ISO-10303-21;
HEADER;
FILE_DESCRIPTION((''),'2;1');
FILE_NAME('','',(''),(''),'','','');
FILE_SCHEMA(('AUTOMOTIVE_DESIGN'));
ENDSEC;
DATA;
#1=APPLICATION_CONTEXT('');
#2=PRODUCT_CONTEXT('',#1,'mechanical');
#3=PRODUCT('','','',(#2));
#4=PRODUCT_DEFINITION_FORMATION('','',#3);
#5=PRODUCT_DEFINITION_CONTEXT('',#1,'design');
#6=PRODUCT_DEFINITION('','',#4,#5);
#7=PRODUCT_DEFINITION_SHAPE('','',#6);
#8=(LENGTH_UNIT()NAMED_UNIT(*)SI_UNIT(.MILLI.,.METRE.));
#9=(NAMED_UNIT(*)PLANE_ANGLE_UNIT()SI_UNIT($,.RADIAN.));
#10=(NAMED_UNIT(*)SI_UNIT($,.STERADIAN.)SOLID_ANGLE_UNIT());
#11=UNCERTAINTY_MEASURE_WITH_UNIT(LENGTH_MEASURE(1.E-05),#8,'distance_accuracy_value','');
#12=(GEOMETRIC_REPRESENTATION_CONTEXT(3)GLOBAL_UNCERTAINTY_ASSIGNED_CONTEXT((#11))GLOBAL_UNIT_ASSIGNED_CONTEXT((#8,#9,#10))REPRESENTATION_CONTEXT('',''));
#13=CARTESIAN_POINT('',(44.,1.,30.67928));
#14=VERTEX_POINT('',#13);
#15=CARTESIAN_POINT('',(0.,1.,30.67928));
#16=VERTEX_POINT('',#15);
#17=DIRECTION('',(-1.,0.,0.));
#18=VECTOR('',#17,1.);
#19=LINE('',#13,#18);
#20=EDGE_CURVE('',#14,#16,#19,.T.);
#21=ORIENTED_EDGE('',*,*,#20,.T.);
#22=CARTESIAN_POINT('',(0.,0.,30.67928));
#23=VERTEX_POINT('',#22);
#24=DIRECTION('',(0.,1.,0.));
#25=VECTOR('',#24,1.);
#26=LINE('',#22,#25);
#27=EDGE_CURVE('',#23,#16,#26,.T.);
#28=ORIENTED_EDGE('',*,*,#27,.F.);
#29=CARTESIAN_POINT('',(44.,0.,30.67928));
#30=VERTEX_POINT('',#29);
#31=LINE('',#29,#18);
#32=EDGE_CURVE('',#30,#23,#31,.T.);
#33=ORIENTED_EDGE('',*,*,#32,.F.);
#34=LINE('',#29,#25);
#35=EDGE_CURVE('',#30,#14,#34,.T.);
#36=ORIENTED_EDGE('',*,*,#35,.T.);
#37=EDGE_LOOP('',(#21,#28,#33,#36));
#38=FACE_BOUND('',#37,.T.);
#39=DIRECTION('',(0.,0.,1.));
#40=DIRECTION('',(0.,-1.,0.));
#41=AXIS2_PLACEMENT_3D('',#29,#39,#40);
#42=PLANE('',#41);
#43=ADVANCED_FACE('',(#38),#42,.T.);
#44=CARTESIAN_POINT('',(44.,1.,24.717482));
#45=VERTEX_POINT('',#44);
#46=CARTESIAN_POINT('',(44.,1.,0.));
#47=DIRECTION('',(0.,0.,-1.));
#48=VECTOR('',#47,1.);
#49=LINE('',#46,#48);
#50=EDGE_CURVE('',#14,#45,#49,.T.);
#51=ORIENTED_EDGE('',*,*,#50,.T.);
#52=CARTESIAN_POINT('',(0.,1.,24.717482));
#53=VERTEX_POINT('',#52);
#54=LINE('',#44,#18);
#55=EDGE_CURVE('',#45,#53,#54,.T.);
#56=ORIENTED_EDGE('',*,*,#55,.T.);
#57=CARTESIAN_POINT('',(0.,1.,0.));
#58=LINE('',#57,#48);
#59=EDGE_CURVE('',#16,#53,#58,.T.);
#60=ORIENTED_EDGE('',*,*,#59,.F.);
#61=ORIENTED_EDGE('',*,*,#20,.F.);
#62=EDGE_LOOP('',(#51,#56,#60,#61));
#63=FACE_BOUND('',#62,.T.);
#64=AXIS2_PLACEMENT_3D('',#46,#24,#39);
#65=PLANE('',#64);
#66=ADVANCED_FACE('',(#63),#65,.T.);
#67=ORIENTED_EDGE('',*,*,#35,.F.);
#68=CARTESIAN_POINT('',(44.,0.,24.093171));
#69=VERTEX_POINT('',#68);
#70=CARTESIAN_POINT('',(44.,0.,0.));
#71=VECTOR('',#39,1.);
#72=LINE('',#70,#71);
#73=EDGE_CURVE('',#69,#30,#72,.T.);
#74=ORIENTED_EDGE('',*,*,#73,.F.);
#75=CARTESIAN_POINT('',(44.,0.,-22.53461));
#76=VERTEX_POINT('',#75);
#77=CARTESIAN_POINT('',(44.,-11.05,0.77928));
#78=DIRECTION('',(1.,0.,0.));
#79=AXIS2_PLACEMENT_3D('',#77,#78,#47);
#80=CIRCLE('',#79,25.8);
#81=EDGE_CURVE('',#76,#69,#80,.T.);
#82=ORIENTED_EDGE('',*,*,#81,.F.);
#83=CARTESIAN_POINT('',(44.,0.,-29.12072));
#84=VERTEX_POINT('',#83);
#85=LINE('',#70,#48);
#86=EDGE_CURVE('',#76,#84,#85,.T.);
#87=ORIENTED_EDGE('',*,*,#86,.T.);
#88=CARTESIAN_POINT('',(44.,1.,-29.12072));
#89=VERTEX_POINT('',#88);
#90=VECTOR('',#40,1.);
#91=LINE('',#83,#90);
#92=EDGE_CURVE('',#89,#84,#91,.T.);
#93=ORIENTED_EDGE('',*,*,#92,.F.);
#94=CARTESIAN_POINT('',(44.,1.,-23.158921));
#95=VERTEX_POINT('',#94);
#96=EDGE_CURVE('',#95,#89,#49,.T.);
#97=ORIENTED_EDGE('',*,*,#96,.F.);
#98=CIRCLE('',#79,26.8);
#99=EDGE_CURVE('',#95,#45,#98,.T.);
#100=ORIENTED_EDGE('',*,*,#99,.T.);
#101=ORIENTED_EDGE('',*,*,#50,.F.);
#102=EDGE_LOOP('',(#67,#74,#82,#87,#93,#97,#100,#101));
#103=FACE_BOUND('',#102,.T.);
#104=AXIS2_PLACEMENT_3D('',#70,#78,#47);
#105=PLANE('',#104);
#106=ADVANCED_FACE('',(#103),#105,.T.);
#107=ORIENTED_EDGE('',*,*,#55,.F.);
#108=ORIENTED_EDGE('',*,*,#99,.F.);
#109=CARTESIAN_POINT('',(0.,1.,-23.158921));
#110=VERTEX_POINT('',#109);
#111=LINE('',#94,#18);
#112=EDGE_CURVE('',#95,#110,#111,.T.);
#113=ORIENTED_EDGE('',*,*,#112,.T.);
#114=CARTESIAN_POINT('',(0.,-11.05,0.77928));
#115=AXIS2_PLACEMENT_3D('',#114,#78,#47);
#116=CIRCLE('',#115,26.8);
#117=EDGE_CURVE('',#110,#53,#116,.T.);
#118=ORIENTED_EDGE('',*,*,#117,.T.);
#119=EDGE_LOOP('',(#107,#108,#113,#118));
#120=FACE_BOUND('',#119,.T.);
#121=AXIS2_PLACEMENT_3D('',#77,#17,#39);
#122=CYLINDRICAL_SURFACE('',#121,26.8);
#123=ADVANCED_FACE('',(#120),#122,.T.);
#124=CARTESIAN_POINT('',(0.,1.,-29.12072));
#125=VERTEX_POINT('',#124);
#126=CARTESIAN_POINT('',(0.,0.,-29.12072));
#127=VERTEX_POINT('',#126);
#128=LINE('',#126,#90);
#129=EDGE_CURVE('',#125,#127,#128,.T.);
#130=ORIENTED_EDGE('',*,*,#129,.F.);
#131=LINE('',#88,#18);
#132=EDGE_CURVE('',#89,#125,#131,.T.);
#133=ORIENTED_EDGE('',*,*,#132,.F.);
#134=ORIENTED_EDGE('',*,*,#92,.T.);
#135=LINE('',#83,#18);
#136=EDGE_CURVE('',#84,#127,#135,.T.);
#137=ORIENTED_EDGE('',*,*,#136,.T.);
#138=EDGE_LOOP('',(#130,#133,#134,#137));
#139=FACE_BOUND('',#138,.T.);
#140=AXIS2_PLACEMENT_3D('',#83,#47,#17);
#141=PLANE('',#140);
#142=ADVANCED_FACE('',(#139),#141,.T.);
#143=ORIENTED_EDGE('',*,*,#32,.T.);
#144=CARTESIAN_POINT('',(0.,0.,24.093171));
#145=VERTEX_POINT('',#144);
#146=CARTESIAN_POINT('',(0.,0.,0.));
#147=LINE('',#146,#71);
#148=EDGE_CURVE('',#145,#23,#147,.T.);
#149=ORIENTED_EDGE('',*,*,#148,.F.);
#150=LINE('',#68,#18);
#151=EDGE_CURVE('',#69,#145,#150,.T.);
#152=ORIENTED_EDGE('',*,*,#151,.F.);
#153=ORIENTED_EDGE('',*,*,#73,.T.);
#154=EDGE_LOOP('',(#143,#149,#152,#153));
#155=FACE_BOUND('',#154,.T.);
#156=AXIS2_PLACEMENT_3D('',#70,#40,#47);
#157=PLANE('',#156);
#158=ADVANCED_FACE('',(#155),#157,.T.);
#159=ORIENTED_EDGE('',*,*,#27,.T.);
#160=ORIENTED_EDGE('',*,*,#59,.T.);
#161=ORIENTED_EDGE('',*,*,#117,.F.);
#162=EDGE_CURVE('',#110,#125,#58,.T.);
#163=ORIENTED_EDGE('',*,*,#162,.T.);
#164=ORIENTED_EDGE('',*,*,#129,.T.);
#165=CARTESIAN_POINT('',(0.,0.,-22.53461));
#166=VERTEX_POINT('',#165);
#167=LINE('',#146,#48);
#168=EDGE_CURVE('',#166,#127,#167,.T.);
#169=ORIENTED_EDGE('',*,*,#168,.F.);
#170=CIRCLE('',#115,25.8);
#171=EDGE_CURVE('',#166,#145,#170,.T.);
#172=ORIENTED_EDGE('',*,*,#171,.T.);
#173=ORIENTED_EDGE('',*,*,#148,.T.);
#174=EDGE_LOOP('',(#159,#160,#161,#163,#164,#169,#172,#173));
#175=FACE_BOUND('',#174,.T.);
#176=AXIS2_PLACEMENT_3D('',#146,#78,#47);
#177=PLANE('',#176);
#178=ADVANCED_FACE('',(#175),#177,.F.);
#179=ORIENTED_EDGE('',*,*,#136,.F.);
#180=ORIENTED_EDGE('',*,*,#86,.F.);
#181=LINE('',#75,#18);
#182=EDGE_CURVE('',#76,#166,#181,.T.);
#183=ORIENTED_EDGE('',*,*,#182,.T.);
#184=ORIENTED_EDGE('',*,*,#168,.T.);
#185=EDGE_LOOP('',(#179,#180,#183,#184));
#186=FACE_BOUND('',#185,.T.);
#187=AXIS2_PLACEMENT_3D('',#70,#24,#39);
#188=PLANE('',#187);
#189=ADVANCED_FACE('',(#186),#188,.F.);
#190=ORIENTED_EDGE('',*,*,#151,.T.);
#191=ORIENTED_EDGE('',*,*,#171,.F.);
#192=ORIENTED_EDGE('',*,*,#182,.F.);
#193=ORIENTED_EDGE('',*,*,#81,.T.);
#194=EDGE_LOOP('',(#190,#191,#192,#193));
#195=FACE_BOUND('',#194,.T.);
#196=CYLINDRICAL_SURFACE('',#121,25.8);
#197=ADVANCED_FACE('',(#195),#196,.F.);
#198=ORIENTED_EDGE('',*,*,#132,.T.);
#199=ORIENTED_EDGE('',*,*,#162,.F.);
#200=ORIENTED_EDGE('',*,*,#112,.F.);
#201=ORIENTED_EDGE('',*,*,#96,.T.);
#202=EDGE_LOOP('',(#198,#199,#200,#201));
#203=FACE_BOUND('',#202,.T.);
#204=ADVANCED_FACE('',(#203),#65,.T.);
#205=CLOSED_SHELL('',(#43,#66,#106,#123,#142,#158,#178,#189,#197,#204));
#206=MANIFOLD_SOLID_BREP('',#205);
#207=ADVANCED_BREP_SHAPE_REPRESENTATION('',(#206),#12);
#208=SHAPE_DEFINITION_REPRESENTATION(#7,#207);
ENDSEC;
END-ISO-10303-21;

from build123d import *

# Parameters (mm, degrees)
BOSS_EXTRUDE1_DEPTH = 44


with BuildPart() as part:
    # Sketch1 → Boss-Extrude1 (new body)
    with BuildSketch(Plane(origin=(0, 0, 0), x_dir=(0, 0, -1), z_dir=(1, 0, 0))):
        with BuildLine():
            ThreePointArc((-24.093171188, 0), (-0.779280479, 14.75), (22.534610231, 0))
            Line((22.534610231, 0), (29.120719521, 0))
            Line((29.120719521, 0), (29.120719521, 1))
            Line((29.120719521, 1), (23.158921208, 1))
            ThreePointArc((23.158921208, 1), (-0.779280479, 15.75), (-24.717482165, 1))
            Line((-24.717482165, 1), (-30.679280479, 1))
            Line((-30.679280479, 1), (-30.679280479, 0))
            Line((-30.679280479, 0), (-24.093171188, 0))
        make_face()
    extrude(amount=BOSS_EXTRUDE1_DEPTH)


solid = part.part
